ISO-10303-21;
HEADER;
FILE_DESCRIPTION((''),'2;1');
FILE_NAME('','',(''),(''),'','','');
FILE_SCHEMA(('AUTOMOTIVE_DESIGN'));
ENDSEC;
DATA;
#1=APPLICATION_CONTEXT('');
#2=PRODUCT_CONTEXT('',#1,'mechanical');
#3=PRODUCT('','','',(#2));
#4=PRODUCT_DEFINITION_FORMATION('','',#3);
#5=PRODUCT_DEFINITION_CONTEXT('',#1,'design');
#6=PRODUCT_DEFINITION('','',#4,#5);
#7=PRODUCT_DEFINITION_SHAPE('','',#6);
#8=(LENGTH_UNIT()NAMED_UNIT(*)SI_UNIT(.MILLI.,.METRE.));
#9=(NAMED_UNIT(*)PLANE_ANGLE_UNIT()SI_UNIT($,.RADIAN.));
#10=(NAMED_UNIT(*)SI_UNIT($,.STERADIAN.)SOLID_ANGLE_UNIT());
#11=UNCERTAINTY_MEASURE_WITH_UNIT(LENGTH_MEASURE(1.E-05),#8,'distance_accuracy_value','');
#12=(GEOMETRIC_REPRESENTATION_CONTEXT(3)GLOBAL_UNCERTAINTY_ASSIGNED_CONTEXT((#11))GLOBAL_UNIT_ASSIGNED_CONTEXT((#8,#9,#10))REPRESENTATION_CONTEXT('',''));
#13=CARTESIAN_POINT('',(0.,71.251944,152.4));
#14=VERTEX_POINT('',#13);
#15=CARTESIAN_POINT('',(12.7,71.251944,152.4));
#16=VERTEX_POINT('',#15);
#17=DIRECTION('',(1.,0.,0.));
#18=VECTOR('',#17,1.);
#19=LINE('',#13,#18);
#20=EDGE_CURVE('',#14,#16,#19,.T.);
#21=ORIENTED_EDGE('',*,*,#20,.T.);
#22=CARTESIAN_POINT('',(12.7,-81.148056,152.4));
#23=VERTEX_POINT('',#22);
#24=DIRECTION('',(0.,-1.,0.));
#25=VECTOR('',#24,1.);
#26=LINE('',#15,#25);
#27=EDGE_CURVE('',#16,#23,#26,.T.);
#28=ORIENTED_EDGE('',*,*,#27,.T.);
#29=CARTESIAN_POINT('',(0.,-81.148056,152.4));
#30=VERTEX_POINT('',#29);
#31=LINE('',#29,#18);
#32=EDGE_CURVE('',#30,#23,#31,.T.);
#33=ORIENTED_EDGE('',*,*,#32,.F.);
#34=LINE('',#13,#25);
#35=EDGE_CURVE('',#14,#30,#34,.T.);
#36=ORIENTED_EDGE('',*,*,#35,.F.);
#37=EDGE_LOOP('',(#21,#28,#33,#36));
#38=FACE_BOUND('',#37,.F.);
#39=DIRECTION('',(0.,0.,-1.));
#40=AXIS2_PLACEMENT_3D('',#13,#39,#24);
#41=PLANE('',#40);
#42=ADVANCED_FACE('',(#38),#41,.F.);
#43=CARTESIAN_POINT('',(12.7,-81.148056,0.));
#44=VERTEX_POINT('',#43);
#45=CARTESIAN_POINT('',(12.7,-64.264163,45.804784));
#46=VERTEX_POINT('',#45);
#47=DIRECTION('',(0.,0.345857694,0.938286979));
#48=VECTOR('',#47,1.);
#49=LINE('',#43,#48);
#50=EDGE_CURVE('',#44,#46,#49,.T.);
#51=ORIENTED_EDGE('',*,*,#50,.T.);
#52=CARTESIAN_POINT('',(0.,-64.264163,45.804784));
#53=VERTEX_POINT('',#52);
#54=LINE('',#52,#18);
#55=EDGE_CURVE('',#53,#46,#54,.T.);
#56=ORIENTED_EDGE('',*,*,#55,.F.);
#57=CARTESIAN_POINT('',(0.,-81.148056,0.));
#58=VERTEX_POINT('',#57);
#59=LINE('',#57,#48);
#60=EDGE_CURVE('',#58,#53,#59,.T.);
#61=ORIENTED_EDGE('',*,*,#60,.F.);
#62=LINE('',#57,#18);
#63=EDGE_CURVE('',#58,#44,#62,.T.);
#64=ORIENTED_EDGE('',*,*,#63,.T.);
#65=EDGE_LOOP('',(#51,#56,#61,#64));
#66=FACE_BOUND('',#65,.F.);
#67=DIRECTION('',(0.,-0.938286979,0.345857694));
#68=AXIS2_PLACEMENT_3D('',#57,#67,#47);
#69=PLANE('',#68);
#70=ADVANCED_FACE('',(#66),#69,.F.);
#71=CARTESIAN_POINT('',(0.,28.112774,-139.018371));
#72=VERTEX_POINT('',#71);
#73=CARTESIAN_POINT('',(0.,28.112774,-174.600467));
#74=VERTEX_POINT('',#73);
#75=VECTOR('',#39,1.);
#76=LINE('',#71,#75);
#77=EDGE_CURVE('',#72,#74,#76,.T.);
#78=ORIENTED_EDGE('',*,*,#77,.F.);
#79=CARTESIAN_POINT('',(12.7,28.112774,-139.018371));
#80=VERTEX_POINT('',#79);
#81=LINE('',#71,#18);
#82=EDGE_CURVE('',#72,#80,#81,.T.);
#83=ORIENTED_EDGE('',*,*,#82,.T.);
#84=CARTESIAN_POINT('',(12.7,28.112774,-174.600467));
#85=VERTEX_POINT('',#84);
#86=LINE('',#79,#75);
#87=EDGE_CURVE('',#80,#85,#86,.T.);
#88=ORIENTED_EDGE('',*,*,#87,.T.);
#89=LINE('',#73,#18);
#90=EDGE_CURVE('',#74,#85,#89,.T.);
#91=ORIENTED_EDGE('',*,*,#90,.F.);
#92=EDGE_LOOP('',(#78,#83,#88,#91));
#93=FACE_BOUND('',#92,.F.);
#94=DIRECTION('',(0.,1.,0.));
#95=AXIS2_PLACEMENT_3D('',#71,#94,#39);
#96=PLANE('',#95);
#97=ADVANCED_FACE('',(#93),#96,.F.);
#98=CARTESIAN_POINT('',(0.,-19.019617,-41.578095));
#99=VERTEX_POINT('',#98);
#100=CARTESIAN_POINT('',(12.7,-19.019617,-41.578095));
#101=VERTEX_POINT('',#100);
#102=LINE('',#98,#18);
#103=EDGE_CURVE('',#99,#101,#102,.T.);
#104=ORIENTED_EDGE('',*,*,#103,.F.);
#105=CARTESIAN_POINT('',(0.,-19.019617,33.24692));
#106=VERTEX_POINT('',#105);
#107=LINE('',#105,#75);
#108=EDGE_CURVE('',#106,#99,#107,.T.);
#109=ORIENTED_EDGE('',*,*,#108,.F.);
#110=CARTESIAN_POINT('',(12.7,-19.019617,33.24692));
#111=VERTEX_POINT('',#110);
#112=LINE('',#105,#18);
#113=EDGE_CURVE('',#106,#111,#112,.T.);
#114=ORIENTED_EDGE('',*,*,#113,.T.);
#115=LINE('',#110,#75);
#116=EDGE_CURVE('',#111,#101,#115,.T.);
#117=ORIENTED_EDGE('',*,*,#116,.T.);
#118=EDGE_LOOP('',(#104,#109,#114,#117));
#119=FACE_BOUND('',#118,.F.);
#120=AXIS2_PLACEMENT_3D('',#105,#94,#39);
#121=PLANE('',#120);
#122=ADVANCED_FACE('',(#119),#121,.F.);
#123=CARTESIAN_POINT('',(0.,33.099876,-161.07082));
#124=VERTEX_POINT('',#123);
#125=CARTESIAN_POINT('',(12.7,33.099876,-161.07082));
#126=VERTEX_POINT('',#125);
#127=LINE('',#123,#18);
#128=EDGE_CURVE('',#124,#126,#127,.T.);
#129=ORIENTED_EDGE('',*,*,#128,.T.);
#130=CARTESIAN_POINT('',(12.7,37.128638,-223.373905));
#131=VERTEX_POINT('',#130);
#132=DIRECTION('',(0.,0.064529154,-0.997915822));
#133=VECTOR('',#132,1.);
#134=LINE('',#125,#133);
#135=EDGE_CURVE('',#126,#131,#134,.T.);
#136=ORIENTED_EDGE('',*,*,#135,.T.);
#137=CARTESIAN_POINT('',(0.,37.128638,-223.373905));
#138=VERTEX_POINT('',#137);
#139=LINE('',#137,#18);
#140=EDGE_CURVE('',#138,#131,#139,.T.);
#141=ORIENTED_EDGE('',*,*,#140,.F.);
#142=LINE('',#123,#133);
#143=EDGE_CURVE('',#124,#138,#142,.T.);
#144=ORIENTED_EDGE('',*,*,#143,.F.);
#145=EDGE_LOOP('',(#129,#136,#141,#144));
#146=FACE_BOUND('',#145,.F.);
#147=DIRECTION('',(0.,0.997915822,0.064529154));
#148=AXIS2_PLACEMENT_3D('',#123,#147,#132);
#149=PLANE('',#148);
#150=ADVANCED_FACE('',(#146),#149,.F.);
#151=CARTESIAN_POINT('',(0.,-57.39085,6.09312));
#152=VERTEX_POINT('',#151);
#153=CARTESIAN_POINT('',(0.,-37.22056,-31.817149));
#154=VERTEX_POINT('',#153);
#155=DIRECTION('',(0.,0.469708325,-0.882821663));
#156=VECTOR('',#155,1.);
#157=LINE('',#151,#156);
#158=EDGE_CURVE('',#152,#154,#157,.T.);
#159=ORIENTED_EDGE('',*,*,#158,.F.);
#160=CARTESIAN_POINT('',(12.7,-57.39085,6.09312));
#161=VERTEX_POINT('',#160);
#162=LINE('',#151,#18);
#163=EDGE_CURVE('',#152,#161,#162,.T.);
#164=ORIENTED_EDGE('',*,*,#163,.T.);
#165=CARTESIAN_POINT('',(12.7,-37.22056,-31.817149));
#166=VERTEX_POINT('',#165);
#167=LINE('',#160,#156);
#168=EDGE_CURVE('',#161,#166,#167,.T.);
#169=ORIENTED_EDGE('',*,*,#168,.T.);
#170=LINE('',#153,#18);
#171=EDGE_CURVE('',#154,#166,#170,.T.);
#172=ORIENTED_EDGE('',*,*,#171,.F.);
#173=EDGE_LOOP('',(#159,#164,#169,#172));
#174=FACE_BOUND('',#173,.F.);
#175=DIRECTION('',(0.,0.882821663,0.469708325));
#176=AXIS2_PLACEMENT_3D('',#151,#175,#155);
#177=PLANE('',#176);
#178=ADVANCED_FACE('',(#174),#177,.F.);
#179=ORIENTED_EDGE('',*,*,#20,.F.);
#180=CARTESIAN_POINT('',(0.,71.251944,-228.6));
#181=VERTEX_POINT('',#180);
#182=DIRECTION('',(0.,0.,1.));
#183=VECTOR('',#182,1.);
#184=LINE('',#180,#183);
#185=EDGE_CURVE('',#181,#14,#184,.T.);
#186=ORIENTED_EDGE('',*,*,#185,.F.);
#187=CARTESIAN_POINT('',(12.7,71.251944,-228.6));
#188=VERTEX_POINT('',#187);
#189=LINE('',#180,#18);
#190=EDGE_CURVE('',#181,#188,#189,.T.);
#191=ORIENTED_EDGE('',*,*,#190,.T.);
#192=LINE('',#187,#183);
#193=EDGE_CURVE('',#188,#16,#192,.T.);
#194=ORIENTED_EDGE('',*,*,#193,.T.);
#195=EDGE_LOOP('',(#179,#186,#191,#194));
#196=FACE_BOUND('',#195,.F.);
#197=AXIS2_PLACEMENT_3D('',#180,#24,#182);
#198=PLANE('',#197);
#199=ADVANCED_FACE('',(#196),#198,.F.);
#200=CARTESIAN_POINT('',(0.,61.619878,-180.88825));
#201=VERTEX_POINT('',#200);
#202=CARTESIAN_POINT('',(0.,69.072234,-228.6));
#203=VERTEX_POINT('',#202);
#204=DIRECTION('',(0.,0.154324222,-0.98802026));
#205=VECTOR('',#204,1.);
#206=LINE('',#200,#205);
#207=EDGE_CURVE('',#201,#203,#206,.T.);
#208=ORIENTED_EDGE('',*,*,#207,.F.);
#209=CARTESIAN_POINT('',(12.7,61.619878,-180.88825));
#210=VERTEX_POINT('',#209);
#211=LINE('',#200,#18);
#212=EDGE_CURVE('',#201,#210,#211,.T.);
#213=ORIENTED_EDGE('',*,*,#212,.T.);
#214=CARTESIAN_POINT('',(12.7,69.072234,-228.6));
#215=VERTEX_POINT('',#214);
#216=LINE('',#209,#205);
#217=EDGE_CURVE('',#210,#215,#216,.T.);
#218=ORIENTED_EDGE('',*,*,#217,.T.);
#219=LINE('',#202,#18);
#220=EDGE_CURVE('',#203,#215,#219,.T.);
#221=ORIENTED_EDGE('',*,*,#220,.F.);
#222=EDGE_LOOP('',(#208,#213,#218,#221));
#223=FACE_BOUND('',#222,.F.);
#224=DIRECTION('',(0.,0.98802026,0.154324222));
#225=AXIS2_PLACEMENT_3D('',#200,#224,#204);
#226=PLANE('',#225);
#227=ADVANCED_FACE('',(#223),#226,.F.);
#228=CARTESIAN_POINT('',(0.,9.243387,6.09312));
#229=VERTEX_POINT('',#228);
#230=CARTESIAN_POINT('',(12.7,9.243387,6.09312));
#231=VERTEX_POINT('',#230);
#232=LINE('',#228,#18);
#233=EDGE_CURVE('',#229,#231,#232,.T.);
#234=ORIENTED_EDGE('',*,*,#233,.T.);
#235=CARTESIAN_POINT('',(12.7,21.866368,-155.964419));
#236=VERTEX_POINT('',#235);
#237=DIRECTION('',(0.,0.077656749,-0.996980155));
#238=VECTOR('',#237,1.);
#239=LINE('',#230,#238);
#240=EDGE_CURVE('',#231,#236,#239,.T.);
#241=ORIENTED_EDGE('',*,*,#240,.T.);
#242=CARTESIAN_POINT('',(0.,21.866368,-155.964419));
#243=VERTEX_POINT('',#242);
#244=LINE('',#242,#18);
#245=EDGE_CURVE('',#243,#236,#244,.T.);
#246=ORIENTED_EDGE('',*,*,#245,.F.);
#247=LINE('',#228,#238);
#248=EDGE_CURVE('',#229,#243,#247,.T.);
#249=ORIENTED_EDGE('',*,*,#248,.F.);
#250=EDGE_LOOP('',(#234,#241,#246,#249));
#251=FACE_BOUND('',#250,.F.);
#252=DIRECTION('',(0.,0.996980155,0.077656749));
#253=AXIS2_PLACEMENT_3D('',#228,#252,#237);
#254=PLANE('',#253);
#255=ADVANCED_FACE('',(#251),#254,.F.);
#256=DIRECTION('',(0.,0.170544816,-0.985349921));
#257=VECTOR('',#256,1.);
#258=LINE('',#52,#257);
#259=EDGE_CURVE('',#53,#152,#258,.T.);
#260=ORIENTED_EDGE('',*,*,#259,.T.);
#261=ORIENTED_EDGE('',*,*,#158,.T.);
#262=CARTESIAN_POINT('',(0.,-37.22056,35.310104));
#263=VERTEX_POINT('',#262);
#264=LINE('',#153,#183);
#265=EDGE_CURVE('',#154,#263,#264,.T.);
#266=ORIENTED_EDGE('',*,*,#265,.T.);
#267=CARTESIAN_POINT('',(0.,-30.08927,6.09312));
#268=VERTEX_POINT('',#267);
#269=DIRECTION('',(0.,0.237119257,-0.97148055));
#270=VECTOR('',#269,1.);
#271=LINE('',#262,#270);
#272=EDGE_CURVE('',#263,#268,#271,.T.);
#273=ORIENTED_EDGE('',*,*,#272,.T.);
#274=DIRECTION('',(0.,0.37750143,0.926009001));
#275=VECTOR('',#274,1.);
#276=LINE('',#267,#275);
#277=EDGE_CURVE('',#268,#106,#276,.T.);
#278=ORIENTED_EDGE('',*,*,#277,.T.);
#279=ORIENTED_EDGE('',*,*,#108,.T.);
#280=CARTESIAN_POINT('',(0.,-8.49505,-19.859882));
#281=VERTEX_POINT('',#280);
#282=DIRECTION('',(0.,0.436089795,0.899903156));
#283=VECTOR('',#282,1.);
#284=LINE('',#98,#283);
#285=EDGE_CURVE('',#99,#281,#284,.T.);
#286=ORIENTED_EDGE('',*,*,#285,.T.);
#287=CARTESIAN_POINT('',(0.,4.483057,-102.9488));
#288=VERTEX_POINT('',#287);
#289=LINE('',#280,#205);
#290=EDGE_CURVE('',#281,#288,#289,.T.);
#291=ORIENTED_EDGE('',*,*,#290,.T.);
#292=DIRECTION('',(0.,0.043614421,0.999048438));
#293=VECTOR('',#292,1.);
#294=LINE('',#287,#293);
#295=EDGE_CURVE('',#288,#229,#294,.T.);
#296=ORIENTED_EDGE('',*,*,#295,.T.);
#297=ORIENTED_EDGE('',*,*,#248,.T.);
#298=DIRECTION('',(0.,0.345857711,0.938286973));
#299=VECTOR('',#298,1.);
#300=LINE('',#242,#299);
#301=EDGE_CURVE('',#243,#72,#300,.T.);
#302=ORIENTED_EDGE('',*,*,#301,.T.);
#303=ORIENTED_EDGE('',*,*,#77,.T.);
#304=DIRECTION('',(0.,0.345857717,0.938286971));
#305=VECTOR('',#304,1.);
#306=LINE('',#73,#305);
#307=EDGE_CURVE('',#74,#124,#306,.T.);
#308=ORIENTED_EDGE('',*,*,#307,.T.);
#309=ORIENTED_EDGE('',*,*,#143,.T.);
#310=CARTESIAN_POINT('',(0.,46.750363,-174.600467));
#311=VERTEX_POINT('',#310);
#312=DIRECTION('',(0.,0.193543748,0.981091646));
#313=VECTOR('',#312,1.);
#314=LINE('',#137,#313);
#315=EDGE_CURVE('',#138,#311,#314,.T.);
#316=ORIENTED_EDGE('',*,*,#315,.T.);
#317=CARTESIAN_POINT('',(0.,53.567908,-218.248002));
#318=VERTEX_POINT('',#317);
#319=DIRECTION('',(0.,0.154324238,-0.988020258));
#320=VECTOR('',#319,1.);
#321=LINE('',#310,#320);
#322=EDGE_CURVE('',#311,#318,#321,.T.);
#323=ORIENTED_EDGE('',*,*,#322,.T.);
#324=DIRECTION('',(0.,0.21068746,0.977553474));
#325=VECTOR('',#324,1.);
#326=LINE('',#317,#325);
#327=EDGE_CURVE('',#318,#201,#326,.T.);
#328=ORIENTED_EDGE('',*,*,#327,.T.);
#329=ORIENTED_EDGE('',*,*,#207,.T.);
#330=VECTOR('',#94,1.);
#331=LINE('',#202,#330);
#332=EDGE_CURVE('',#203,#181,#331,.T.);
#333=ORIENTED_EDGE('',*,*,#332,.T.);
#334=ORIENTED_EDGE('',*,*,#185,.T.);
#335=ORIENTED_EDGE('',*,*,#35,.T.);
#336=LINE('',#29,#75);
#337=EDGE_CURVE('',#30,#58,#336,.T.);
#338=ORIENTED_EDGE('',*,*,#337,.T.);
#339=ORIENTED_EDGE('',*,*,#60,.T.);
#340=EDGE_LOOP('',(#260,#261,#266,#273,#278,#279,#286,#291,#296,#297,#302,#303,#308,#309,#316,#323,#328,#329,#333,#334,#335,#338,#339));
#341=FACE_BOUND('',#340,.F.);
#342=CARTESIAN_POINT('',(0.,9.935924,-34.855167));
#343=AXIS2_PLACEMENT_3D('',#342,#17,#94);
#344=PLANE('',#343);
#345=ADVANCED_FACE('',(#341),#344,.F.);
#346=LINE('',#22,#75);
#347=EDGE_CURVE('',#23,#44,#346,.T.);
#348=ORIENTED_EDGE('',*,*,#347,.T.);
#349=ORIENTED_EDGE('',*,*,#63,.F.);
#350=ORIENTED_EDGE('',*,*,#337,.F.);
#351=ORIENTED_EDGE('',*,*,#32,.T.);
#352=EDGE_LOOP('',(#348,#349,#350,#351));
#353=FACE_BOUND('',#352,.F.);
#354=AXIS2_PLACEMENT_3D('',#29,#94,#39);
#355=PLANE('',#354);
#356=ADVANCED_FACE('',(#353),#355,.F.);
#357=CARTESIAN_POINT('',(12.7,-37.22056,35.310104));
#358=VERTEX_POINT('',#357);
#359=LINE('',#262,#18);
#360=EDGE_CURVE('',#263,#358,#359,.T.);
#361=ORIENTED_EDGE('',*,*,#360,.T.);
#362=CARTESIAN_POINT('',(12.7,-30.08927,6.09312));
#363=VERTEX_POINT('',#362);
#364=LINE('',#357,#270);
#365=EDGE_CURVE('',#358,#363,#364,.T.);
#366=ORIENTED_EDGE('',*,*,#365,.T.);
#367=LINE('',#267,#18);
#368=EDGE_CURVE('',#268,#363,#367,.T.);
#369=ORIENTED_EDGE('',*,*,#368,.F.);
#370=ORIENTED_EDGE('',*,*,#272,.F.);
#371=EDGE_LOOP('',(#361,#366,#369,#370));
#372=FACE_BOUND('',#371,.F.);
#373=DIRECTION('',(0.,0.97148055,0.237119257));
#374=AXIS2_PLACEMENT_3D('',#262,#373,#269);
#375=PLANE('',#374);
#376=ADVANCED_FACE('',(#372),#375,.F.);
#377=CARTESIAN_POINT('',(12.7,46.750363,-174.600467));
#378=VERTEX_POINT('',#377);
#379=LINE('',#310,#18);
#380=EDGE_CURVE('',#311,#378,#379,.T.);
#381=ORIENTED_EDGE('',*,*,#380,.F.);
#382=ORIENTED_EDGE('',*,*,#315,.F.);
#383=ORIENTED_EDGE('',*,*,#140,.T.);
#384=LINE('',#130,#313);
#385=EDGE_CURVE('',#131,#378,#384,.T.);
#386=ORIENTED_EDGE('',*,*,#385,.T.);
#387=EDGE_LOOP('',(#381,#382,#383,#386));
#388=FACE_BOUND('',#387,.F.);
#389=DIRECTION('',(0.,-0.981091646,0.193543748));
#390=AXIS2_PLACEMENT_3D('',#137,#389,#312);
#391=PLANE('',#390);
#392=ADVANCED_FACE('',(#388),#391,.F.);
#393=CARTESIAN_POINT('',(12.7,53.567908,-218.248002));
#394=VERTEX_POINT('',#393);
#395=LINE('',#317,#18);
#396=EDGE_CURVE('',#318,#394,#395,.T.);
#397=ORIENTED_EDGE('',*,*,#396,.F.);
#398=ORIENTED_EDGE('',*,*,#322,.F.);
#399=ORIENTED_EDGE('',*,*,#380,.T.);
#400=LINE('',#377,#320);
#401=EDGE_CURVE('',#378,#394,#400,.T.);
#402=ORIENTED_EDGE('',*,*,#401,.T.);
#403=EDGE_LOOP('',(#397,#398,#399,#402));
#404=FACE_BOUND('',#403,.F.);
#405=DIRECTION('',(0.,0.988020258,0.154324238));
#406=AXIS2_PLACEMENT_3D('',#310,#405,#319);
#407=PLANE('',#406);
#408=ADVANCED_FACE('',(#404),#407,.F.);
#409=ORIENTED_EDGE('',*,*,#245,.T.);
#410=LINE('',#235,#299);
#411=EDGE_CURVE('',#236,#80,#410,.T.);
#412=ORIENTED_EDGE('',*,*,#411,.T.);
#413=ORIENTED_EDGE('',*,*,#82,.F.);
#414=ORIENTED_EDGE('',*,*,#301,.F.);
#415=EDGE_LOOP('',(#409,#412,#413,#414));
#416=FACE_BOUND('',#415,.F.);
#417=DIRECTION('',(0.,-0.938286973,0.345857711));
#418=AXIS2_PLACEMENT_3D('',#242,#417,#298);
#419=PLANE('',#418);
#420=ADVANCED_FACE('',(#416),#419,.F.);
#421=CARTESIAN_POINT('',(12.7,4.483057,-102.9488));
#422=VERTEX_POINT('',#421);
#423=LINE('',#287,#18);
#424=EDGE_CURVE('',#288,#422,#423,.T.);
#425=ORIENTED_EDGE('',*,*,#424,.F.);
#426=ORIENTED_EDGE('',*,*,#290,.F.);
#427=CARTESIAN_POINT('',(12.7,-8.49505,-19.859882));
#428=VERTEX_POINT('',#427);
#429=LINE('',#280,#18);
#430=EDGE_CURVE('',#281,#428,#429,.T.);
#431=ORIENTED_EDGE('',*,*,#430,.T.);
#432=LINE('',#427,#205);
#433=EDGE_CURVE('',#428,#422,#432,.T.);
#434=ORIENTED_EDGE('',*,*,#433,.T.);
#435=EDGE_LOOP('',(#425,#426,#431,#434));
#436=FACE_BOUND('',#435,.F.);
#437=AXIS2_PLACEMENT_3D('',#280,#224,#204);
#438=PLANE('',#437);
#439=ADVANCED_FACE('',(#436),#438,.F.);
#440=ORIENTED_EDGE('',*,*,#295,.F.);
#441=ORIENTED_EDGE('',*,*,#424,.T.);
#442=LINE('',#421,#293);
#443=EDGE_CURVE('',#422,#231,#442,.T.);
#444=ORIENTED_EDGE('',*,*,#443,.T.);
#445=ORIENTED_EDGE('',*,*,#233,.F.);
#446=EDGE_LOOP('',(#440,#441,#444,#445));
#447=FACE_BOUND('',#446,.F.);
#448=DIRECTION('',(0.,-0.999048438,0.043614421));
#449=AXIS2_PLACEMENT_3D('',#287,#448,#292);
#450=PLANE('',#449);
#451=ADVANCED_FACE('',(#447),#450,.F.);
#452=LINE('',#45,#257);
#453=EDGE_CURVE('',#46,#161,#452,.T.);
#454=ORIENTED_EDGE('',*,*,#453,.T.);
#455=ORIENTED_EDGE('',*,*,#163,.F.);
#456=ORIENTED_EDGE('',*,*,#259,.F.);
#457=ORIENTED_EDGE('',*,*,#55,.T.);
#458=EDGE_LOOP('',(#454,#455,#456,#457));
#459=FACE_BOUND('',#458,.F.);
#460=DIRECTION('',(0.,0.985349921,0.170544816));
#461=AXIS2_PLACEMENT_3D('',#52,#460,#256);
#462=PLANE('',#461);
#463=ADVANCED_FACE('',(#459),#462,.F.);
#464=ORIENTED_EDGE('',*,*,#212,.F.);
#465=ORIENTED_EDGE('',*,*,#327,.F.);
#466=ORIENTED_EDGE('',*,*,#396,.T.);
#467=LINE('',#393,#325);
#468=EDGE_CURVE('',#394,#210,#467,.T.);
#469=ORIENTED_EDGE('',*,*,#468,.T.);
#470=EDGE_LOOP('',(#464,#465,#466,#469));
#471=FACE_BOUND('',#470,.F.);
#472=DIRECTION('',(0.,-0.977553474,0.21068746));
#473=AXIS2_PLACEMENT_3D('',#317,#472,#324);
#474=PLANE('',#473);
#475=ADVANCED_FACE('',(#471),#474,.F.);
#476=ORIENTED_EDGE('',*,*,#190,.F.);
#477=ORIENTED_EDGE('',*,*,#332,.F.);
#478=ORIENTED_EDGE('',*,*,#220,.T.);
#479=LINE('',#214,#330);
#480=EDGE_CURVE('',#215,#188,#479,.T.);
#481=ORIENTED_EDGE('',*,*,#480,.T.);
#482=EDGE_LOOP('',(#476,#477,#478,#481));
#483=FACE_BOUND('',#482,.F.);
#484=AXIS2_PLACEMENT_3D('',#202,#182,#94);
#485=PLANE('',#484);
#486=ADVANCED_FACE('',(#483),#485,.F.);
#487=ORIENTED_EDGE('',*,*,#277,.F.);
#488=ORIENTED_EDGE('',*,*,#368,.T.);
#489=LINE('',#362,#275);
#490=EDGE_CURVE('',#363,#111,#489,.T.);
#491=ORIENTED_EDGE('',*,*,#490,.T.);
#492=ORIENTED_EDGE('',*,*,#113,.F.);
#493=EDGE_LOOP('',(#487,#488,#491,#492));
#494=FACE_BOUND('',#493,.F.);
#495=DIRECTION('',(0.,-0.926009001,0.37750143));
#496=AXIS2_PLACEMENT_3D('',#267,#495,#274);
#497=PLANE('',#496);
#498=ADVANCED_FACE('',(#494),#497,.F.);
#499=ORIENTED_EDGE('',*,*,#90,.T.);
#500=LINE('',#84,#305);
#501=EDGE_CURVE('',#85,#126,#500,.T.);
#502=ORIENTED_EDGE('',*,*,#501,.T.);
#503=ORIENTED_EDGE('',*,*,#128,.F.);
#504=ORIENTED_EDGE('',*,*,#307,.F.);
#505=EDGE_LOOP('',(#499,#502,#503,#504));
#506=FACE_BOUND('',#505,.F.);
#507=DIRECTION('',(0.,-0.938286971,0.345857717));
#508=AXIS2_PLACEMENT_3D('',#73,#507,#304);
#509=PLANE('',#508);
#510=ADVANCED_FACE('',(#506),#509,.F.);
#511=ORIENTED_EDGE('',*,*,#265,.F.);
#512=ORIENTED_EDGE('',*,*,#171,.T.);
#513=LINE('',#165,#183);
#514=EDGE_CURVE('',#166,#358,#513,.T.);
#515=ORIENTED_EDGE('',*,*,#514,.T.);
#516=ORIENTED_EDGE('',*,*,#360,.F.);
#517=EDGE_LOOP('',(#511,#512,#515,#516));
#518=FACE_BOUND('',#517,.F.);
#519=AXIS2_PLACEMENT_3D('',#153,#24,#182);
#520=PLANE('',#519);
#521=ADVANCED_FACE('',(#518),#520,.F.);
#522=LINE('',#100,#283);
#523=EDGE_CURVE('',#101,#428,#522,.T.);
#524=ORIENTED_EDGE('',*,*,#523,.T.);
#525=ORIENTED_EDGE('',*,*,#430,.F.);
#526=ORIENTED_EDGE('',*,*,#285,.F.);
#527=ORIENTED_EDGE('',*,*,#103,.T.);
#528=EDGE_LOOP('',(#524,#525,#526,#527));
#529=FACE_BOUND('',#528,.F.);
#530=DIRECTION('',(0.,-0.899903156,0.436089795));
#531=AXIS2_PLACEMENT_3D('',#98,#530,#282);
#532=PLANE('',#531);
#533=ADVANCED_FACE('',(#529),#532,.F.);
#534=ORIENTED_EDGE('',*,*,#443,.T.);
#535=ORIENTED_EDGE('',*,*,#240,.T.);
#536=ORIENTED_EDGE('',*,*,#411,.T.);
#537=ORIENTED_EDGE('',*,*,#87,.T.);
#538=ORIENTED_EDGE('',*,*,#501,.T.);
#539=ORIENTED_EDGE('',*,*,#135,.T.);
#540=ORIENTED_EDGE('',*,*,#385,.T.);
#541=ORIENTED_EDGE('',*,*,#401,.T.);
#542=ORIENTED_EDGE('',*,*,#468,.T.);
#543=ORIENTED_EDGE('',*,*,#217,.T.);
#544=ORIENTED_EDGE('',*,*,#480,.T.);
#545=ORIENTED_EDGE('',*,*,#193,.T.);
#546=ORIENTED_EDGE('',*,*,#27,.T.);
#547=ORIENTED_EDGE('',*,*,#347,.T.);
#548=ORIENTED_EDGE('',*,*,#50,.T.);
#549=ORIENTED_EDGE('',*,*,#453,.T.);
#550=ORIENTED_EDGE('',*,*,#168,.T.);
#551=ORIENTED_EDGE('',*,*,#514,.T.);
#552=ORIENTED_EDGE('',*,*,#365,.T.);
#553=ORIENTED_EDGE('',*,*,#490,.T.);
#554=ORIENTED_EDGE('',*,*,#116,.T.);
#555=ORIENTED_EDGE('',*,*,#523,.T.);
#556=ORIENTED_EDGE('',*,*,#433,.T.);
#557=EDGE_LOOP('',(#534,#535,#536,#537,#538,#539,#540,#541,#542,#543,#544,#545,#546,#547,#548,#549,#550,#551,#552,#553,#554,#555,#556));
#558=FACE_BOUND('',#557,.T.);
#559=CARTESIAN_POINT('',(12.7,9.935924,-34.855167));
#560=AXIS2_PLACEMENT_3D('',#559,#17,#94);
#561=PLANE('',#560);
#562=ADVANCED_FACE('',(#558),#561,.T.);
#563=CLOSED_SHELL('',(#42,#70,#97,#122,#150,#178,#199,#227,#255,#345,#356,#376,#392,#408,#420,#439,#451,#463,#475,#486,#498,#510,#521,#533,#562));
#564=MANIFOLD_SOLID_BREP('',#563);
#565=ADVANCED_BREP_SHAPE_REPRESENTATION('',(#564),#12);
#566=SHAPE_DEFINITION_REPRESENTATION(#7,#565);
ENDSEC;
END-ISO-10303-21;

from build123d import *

# Parameters (mm, degrees)
F1_DEPTH = 12.7


with BuildPart() as f1:
    # F0 (on Right) → F1 (new body)
    with BuildSketch(Plane.YZ):
        Polygon((-81.148056, 152.4), (-81.148056, 0), (-64.264163, 45.804784), (-57.39085, 6.09312), (-37.22056, -31.817149), (-37.22056, 35.310104), (-30.08927, 6.09312), (-19.019617, 33.24692), (-19.019617, -41.578095), (-8.49505, -19.859882), (4.483057, -102.9488), (9.243387, 6.09312), (21.866368, -155.964419), (28.112774, -139.018371), (28.112774, -174.600467), (33.099876, -161.07082), (37.128638, -223.373905), (46.750363, -174.600467), (53.567908, -218.248002), (61.619878, -180.88825), (69.072234, -228.6), (71.251944, -228.6), (71.251944, 152.4), align=None)
    extrude(amount=F1_DEPTH)


solid = f1.part
